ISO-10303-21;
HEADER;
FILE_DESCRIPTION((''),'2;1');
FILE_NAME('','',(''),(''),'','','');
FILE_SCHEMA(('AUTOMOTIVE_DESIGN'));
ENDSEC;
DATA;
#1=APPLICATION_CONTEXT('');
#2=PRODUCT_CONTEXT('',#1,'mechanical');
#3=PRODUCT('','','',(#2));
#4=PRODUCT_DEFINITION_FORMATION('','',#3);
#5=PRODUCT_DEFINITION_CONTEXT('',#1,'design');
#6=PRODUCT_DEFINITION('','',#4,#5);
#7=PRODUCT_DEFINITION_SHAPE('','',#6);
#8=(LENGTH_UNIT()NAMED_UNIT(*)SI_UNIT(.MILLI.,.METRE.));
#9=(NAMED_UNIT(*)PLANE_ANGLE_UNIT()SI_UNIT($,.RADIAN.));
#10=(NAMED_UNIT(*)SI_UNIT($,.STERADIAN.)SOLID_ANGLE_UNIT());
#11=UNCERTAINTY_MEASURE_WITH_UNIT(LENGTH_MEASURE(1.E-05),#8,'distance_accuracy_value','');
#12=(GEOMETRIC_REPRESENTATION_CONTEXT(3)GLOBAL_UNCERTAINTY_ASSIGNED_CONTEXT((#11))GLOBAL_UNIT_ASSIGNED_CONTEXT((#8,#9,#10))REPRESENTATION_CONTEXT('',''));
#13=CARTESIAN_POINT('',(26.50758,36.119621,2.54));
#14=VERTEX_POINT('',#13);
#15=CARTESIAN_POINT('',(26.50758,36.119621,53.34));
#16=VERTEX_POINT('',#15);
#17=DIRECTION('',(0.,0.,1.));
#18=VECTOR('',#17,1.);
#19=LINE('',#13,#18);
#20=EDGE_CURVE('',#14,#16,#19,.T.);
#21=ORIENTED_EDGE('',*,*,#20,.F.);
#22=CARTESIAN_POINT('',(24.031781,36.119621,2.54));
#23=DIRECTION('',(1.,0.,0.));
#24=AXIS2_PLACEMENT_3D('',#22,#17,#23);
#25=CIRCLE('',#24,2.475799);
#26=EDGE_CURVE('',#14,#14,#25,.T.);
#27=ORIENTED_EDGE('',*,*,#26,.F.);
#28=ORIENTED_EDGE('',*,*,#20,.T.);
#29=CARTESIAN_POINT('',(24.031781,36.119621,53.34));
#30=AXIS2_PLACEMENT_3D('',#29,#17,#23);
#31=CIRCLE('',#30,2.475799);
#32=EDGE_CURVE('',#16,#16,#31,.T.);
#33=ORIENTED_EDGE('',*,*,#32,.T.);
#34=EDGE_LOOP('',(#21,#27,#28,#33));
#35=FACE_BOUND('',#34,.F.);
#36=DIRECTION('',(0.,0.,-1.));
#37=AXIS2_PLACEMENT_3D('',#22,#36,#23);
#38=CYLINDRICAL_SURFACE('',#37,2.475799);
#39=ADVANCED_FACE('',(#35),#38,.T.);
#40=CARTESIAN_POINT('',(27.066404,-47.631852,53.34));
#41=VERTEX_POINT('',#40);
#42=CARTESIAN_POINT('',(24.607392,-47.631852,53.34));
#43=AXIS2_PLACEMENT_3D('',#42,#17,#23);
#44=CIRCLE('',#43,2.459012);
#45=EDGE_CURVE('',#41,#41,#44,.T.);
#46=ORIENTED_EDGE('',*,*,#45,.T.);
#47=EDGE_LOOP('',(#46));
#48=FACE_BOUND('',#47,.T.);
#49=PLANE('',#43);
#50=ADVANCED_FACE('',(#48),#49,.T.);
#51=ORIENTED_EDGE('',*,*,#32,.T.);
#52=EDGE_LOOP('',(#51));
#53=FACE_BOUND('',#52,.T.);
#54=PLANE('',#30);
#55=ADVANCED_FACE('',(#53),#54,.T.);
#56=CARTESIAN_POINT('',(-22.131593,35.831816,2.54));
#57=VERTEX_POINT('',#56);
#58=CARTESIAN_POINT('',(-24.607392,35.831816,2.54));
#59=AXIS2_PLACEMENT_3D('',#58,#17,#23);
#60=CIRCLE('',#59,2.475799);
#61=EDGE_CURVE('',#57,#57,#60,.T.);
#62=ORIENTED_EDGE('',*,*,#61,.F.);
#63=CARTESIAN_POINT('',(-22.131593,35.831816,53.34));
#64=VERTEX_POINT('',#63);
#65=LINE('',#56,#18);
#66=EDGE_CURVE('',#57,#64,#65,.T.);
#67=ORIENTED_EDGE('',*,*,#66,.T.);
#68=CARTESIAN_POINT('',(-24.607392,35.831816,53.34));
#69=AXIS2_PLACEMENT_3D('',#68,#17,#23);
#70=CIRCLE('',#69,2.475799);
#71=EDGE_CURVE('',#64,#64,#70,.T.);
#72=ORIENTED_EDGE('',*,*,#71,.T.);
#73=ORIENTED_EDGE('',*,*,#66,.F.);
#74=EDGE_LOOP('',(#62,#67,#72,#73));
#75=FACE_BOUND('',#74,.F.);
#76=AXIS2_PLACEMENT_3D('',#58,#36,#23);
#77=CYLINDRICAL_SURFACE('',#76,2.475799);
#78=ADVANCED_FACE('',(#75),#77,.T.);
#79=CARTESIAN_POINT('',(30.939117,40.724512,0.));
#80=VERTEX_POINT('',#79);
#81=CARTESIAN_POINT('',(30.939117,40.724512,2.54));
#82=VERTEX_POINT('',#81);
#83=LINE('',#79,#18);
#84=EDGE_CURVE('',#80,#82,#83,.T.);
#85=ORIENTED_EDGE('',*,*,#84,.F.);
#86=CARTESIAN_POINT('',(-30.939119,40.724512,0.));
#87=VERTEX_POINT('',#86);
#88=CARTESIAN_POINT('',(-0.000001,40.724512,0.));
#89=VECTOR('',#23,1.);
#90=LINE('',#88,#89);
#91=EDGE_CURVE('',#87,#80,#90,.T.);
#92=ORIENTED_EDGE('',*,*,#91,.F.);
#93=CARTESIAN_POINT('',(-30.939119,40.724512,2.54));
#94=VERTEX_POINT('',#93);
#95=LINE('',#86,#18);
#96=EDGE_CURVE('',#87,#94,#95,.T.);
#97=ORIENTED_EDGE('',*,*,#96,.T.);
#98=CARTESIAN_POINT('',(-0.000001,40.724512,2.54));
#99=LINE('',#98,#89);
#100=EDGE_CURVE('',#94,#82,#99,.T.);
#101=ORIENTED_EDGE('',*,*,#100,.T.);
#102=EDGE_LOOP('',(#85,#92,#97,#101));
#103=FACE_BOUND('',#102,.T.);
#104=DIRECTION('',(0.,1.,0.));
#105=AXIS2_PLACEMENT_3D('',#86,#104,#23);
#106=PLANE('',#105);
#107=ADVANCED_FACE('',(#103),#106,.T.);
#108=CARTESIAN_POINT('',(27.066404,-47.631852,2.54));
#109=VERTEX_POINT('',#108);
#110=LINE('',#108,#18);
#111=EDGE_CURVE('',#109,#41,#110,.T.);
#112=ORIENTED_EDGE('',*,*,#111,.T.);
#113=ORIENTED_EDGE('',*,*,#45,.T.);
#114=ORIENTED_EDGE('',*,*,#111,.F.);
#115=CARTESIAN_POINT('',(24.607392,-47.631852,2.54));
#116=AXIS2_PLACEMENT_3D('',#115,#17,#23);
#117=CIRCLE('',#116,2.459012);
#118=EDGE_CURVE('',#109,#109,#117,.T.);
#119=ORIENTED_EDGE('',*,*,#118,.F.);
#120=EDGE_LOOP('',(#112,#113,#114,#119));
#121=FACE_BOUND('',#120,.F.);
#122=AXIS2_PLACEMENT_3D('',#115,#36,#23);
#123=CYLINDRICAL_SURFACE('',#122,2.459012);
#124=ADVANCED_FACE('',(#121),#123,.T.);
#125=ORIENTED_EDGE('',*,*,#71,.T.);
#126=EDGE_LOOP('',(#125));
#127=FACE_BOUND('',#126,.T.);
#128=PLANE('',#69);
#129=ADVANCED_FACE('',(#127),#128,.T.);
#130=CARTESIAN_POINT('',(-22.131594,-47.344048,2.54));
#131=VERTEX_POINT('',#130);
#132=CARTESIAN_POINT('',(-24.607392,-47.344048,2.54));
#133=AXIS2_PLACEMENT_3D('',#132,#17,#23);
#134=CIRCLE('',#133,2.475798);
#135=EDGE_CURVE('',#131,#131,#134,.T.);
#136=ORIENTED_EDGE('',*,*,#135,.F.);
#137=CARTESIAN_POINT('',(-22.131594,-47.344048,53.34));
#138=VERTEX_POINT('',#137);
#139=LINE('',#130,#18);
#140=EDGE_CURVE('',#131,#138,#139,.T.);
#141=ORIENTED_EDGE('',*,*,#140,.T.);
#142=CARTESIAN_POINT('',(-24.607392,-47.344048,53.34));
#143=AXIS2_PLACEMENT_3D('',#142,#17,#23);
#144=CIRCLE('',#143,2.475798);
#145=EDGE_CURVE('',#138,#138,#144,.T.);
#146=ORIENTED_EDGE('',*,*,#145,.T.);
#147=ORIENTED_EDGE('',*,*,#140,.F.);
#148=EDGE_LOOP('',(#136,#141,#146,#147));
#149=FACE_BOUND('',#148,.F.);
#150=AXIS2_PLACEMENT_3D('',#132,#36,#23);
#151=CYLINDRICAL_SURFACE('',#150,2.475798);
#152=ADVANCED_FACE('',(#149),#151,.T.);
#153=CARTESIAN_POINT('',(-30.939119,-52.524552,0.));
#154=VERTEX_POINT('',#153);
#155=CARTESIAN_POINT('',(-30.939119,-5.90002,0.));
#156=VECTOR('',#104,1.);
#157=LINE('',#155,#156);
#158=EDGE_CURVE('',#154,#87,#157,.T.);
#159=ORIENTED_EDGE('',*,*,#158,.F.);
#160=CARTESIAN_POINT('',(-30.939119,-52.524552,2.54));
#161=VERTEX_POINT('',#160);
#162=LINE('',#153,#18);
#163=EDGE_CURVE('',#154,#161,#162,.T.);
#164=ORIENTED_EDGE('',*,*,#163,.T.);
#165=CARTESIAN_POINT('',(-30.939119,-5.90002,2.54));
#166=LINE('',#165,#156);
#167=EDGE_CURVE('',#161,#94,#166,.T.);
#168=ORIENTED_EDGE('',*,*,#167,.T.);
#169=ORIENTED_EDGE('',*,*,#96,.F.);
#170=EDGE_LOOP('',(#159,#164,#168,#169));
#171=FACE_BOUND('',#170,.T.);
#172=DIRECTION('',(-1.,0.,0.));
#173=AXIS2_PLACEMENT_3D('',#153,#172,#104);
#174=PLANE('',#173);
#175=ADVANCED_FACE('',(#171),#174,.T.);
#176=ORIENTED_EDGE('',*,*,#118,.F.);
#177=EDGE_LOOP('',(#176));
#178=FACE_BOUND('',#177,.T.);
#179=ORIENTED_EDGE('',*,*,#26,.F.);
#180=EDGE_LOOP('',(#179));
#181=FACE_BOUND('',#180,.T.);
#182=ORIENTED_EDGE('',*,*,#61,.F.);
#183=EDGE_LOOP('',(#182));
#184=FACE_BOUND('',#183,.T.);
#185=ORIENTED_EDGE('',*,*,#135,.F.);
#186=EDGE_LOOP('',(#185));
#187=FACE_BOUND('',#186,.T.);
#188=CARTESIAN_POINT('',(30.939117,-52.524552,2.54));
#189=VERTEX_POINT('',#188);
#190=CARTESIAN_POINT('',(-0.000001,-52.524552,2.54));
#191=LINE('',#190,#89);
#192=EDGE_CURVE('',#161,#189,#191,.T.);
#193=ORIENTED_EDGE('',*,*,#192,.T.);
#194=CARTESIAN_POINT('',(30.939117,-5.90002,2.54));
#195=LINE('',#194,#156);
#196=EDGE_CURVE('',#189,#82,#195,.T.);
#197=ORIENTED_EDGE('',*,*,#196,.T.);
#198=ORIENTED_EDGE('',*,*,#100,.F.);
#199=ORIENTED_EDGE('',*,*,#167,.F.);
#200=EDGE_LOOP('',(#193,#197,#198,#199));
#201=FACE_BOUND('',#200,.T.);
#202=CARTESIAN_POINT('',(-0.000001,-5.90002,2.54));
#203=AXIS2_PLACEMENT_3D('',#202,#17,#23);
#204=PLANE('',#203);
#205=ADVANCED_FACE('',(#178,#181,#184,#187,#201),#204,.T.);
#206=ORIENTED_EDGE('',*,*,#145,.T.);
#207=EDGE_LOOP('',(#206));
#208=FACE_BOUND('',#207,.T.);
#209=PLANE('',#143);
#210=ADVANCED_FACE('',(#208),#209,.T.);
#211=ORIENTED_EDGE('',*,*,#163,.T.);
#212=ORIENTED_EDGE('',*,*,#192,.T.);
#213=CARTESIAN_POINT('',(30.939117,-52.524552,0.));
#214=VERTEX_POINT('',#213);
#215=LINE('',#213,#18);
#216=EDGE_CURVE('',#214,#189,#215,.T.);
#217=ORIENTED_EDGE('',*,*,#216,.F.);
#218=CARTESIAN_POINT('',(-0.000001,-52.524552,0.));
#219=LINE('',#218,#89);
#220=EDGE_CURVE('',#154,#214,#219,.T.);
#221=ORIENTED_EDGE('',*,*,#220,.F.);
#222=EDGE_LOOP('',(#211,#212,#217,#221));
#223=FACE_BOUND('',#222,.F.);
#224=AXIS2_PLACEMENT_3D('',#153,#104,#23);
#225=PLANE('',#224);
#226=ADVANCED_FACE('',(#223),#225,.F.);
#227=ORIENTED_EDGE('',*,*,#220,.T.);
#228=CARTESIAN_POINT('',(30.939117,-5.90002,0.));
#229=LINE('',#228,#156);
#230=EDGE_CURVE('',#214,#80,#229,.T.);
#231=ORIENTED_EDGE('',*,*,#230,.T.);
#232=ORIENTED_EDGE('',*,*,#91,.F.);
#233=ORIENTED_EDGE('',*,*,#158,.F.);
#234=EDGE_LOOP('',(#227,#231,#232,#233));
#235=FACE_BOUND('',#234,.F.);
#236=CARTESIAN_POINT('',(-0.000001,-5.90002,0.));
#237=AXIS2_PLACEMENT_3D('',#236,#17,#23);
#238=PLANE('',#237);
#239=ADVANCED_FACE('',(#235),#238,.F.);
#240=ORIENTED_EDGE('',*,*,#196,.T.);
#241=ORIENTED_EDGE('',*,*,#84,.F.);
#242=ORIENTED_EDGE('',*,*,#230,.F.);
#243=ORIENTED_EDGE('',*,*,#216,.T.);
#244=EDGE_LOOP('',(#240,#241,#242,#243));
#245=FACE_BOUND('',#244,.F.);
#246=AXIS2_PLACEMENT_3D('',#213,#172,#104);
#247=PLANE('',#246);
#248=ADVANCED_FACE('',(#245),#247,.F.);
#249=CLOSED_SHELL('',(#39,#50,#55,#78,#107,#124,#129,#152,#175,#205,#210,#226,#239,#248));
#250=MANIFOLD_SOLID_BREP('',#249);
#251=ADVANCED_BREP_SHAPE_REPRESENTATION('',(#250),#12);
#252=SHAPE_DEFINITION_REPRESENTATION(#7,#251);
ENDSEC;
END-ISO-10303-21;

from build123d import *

# Parameters (mm, degrees)
F0_W      = 61.878236
F0_H      = 93.249064
F1_DEPTH  = 2.54
F2_R      = 3.356363
F3_DEPTH  = 34.29
F4_R      = 2.475799
F5_DEPTH  = 50.8
F6_R      = 2.475799
F7_DEPTH  = 50.8
F8_R      = 2.475798
F9_DEPTH  = 50.8
F10_R     = 2.459012
F11_DEPTH = 50.8


with BuildPart() as f1:
    # F0 (on Top) → F1 (new body)
    with BuildSketch(Plane.XY):
        with Locations((-1e-06, -5.90002)):
            Rectangle(F0_W, F0_H)
    extrude(amount=F1_DEPTH)

    # F2 (on face) → F3 (cut)
    with BuildSketch(Plane(origin=(0, 0, 0), x_dir=(1, 0, 0), z_dir=(0, 0, -1))):
        with Locations((-24.319587, 47.631852)):
            Circle(F2_R)
    extrude(amount=F3_DEPTH, mode=Mode.SUBTRACT)

    # F4 (on face) → F5 (join)
    with BuildSketch(Plane.XY.offset(2.54)):
        with Locations((-24.607392, 35.831816)):
            Circle(F4_R)
    extrude(amount=F5_DEPTH)

    # F6 (on face) → F7 (join)
    with BuildSketch(Plane.XY.offset(2.54)):
        with Locations((24.031781, 36.119621)):
            Circle(F6_R)
    extrude(amount=F7_DEPTH)

    # F8 (on face) → F9 (join)
    with BuildSketch(Plane.XY.offset(2.54)):
        with Locations((-24.607392, -47.344048)):
            Circle(F8_R)
    extrude(amount=F9_DEPTH)

    # F10 (on face) → F11 (join)
    with BuildSketch(Plane.XY.offset(2.54)):
        with Locations((24.607392, -47.631852)):
            Circle(F10_R)
    extrude(amount=F11_DEPTH)


solid = f1.part
